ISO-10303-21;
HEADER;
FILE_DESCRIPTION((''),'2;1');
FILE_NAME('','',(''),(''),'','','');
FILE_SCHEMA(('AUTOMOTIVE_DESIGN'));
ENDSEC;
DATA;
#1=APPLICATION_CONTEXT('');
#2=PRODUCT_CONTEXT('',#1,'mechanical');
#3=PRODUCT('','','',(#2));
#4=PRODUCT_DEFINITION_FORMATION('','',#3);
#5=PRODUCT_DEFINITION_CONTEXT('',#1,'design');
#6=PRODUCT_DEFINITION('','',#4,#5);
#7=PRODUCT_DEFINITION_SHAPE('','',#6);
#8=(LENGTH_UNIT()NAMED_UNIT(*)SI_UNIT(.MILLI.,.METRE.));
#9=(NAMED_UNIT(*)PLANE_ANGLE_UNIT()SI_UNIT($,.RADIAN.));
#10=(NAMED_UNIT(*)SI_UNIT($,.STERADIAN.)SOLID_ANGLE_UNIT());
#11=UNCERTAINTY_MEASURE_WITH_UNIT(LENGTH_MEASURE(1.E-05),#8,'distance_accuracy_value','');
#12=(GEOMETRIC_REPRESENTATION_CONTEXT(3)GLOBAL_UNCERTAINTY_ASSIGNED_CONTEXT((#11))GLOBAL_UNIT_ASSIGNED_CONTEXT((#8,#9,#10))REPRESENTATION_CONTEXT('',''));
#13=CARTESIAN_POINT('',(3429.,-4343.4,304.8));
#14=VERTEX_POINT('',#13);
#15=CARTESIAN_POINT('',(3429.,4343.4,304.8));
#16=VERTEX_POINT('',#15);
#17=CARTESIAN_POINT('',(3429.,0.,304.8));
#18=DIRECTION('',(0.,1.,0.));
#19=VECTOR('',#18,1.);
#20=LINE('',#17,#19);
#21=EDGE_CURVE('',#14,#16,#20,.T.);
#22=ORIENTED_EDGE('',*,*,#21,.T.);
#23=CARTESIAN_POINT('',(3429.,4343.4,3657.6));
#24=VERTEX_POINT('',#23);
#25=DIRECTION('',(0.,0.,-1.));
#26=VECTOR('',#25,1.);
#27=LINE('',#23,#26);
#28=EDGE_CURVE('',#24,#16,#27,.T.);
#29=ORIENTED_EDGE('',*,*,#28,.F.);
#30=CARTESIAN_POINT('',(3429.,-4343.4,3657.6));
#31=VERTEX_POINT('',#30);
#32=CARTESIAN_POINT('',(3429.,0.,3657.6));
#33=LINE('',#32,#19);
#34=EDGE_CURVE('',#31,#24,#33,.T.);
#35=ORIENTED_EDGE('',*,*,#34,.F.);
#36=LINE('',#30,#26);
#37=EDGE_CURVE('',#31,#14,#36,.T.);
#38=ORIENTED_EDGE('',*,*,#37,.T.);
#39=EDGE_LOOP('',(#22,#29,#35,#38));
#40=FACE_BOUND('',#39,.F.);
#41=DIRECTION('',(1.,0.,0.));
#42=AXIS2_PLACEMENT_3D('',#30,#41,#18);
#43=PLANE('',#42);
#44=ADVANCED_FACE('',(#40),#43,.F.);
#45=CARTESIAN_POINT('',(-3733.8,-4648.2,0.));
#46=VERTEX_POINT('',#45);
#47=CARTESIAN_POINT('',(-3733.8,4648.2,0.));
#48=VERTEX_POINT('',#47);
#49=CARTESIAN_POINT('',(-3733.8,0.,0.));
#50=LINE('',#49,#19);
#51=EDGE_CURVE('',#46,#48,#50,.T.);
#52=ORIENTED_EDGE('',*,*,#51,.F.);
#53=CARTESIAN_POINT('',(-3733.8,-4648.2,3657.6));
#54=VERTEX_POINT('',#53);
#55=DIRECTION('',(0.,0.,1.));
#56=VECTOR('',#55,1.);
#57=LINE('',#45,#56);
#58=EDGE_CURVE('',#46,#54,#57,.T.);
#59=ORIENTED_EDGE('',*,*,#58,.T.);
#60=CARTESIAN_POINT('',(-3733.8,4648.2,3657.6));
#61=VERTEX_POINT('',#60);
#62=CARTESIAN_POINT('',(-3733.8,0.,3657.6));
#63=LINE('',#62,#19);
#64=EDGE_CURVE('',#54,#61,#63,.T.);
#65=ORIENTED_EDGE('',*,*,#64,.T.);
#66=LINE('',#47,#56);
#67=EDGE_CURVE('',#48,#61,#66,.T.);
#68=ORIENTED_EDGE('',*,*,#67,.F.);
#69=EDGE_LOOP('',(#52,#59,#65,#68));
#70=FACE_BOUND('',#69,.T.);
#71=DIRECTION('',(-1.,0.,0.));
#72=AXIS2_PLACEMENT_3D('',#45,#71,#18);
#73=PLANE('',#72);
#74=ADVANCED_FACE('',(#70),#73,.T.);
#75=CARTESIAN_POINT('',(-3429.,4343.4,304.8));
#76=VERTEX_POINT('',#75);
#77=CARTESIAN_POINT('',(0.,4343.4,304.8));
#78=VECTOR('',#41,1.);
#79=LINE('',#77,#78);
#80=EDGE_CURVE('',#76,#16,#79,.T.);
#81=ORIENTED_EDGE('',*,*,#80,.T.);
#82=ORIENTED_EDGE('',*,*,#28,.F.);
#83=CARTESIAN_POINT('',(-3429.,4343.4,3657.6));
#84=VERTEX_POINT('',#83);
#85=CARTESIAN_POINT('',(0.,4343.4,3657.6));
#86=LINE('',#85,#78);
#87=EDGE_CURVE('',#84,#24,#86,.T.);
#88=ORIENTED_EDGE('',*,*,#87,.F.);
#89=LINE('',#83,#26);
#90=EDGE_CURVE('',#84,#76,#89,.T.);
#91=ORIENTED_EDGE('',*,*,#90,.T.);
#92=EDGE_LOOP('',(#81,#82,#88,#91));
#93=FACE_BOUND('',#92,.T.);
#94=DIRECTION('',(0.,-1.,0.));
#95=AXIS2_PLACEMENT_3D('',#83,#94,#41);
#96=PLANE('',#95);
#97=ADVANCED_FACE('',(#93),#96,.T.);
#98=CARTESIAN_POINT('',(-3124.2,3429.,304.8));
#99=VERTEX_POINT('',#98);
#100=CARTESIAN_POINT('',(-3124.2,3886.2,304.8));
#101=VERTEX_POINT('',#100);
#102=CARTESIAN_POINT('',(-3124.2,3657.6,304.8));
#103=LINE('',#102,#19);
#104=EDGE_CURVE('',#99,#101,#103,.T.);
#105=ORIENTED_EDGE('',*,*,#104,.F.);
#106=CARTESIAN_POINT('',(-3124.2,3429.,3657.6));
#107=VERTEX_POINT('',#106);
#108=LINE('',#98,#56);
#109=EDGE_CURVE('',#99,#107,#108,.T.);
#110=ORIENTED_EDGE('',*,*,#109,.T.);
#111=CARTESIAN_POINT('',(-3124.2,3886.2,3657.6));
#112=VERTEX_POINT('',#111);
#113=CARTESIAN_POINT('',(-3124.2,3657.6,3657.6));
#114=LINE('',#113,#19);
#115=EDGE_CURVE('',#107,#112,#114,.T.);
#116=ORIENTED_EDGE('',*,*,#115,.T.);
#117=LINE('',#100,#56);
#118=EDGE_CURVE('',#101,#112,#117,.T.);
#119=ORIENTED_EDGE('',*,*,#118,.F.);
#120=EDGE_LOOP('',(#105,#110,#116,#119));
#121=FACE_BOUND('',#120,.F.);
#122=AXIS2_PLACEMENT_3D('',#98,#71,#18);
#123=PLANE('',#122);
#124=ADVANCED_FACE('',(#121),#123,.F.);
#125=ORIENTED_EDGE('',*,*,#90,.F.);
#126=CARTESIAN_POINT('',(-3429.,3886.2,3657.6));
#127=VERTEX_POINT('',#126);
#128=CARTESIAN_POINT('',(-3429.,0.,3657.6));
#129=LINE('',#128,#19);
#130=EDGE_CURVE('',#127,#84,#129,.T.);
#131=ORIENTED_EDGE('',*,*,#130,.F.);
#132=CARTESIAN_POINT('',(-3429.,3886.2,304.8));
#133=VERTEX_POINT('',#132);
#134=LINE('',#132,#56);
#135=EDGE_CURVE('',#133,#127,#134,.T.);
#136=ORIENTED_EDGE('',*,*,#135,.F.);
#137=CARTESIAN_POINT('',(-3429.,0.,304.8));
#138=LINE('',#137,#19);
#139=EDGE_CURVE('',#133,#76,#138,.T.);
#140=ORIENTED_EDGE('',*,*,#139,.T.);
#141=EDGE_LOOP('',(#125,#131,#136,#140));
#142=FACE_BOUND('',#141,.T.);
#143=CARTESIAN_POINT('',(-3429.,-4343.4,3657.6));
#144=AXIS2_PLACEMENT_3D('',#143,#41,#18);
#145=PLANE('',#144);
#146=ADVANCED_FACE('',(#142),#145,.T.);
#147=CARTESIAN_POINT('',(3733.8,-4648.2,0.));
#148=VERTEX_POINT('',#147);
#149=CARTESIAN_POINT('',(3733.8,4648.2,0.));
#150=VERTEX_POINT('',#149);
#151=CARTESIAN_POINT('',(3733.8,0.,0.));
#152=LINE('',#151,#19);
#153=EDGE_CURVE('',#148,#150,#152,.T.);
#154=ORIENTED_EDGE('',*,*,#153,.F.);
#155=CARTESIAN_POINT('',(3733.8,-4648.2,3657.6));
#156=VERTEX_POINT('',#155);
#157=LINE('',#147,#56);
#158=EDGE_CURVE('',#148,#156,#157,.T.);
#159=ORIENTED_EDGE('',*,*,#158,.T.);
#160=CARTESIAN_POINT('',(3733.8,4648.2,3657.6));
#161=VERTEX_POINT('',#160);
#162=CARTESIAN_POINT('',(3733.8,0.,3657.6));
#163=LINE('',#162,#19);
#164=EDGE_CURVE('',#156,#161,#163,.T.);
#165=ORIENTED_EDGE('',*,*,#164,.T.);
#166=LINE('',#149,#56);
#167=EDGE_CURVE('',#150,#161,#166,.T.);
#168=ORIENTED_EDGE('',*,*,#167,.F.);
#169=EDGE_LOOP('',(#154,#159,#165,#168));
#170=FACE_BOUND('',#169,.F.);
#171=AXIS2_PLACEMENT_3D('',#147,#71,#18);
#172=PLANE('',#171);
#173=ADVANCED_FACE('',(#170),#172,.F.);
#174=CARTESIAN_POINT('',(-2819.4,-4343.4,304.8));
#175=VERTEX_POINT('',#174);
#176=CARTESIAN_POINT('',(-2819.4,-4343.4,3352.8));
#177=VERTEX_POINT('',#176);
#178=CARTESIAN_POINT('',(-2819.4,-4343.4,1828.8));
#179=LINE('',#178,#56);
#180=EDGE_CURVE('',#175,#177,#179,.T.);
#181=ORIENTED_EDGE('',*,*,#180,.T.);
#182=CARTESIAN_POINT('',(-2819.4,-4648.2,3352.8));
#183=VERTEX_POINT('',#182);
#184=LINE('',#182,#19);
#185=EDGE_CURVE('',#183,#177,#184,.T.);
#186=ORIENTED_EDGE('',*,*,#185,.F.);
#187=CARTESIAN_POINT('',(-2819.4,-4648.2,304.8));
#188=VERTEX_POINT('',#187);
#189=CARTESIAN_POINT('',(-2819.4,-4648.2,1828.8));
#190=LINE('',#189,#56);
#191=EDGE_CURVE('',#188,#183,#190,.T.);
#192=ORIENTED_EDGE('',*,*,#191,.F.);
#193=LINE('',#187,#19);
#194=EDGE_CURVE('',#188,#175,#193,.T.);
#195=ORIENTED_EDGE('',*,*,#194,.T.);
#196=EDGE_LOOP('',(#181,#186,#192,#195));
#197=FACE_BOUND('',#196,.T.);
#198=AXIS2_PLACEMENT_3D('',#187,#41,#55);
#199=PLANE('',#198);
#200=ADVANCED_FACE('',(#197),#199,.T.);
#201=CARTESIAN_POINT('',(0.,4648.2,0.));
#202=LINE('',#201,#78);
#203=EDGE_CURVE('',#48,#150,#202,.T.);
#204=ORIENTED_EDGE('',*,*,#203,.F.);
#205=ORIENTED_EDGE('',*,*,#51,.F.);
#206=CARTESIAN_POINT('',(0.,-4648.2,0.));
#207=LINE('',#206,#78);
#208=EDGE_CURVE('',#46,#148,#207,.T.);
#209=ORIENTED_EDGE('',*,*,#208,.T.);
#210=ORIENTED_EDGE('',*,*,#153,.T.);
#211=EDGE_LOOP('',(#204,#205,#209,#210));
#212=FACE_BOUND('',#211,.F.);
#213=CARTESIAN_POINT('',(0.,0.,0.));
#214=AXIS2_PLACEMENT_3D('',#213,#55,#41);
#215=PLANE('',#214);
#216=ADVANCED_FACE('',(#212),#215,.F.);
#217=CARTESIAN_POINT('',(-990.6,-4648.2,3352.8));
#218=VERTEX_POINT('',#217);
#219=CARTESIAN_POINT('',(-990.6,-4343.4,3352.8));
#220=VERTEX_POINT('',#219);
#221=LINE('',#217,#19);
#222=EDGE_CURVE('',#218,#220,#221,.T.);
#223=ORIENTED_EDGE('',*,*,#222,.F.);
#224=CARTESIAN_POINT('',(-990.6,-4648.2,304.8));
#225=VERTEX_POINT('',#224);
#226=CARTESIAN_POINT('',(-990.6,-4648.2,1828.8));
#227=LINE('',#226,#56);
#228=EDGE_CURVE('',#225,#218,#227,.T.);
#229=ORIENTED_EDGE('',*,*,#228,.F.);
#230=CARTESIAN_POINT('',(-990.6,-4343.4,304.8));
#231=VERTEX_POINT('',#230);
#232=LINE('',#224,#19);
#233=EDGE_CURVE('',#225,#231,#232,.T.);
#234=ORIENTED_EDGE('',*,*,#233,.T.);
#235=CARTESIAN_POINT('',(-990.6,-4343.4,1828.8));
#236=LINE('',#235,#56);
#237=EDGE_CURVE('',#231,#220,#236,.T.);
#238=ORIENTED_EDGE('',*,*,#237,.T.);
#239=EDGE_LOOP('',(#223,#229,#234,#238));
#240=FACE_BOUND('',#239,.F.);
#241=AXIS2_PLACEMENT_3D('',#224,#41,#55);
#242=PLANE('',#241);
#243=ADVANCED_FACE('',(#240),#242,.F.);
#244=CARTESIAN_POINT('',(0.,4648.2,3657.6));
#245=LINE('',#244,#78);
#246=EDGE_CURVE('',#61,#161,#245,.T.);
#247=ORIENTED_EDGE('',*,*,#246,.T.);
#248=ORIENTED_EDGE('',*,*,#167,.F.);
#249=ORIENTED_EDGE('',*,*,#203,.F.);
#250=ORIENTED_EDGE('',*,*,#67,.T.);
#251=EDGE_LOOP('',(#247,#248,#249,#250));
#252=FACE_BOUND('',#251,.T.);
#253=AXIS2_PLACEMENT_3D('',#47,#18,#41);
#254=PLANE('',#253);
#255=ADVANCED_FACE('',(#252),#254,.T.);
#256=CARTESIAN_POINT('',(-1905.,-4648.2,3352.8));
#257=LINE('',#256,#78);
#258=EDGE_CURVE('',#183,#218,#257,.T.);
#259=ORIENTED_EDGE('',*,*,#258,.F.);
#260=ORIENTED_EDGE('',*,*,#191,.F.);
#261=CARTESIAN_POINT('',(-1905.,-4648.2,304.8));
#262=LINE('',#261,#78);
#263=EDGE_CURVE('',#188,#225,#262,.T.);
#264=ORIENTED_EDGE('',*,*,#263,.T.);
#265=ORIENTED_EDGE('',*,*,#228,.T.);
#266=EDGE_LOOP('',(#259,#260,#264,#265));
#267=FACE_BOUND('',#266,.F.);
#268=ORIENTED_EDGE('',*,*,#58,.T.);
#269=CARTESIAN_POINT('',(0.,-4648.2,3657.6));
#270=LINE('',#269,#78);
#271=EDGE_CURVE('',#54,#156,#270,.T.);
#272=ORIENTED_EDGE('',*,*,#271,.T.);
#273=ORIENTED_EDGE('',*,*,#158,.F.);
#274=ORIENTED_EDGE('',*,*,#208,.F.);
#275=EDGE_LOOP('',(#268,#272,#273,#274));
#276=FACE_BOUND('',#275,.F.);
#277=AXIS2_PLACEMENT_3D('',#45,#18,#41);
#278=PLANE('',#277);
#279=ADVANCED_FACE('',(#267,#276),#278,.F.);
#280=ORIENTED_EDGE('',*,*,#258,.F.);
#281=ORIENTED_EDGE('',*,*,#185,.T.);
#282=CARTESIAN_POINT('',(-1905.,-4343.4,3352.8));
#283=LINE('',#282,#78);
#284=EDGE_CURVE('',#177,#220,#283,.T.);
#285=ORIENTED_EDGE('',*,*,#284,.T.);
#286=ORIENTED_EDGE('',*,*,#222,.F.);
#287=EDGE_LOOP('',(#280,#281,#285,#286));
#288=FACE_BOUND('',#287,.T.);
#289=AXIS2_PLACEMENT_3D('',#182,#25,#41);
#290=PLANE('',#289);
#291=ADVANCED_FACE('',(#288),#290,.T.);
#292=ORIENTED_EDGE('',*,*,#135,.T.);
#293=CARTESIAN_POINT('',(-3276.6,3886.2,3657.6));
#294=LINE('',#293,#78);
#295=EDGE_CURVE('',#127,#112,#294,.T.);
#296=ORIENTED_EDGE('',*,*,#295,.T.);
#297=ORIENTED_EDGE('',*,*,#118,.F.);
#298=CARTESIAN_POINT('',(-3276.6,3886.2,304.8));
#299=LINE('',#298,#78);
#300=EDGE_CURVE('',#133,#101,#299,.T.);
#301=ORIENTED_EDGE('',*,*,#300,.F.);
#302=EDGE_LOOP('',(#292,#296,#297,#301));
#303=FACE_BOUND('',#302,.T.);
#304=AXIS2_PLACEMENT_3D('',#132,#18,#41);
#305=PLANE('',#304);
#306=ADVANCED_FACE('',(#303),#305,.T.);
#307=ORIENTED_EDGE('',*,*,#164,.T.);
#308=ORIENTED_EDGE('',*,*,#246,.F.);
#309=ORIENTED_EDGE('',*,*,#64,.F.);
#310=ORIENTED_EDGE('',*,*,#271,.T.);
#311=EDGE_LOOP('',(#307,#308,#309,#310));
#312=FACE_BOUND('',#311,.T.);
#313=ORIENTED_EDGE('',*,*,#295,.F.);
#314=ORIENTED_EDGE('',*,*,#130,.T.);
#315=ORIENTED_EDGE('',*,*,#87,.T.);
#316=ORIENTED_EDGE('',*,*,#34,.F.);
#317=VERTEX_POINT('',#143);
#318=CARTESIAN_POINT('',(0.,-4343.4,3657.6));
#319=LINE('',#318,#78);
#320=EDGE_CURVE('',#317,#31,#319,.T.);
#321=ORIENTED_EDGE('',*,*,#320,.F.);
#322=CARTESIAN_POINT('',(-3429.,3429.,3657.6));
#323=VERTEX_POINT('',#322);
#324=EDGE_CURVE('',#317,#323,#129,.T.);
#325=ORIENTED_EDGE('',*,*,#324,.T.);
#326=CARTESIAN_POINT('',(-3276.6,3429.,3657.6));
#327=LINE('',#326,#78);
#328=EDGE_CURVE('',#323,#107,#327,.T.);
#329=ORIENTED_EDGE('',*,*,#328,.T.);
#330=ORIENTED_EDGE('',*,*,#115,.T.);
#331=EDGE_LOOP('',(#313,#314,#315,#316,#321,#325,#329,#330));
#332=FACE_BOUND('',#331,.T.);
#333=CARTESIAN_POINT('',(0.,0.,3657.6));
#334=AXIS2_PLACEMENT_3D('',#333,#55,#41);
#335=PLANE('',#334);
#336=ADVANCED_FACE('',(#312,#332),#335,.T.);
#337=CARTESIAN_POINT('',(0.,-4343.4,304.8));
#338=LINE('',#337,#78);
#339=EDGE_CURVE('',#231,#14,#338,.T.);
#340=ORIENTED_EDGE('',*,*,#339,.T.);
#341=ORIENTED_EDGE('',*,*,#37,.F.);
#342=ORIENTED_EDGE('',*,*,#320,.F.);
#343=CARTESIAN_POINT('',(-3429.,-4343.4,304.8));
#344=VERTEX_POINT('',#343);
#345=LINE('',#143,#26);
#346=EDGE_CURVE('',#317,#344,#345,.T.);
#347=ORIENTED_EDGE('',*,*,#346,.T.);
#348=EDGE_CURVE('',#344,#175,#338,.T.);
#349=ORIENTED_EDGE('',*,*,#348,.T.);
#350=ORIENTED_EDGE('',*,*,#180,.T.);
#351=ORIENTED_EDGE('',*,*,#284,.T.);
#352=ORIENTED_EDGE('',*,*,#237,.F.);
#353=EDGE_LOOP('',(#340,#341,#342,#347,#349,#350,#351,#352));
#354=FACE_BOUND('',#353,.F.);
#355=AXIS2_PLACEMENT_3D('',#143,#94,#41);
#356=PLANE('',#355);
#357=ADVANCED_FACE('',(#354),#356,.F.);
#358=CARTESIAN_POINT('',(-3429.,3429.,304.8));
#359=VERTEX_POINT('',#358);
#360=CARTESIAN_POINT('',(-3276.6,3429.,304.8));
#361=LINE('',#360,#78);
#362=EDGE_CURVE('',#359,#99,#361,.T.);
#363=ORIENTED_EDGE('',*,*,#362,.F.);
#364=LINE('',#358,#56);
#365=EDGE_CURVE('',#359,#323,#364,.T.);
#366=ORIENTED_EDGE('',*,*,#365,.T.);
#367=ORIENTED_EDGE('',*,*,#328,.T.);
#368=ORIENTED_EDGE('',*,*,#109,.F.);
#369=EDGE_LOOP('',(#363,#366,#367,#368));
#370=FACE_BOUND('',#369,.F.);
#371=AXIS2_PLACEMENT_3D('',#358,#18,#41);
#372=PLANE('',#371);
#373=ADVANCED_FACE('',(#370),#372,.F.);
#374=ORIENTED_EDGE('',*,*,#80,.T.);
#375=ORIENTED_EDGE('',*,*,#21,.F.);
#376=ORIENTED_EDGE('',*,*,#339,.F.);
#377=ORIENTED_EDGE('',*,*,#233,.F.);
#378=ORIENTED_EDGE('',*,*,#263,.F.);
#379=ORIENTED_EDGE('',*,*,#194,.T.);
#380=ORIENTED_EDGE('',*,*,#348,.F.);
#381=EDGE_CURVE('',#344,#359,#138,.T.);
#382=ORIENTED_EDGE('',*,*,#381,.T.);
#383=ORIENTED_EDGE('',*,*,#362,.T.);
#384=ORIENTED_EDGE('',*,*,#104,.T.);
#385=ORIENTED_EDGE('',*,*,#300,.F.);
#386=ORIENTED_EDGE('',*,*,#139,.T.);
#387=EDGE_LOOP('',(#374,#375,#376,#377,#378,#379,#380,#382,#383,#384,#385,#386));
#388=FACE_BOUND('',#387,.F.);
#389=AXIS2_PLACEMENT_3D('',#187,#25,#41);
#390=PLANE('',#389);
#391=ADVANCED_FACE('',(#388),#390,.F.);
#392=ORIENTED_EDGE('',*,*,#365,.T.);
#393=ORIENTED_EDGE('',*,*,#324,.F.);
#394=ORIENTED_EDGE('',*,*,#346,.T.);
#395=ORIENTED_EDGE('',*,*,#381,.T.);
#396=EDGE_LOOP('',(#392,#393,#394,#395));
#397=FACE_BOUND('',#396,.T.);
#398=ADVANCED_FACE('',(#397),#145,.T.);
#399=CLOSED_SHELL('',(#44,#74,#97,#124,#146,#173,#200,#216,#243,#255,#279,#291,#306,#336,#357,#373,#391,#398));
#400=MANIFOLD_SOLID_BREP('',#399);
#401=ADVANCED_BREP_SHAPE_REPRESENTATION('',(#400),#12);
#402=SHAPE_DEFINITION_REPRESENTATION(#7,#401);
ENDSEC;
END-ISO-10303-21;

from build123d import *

# Parameters (mm, degrees)
F0_W     = 7467.6
F0_H     = 9296.4
F1_DEPTH = 3657.6
F2_W     = 6858
F2_H     = 8686.8
F3_DEPTH = 3352.8
F4_W     = 1828.8
F4_H     = 3048
F5_DEPTH = 304.8
F6_W     = 304.8
F6_H     = 457.2
F7_DEPTH = 3352.8


with BuildPart() as f1:
    # F0 (on Top) → F1 (new body)
    with BuildSketch(Plane.XY):
        Rectangle(F0_W, F0_H)
    extrude(amount=F1_DEPTH)

    # F2 (on face) → F3 (cut)
    with BuildSketch(Plane.XY.offset(3657.6)):
        Rectangle(F2_W, F2_H)
    extrude(amount=-F3_DEPTH, mode=Mode.SUBTRACT)

    # F4 (on face) → F5 (cut, through all)
    with BuildSketch(Plane.XZ.offset(4648.2)):
        with Locations((-1905, 1828.8)):
            Rectangle(F4_W, F4_H)
    extrude(amount=-F5_DEPTH, mode=Mode.SUBTRACT)

    # F6 (on face) → F7 (join, through all)
    with BuildSketch(Plane.XY.offset(304.8)):
        with Locations((-3276.6, 3657.6)):
            Rectangle(F6_W, F6_H)
    extrude(amount=F7_DEPTH)


solid = f1.part
